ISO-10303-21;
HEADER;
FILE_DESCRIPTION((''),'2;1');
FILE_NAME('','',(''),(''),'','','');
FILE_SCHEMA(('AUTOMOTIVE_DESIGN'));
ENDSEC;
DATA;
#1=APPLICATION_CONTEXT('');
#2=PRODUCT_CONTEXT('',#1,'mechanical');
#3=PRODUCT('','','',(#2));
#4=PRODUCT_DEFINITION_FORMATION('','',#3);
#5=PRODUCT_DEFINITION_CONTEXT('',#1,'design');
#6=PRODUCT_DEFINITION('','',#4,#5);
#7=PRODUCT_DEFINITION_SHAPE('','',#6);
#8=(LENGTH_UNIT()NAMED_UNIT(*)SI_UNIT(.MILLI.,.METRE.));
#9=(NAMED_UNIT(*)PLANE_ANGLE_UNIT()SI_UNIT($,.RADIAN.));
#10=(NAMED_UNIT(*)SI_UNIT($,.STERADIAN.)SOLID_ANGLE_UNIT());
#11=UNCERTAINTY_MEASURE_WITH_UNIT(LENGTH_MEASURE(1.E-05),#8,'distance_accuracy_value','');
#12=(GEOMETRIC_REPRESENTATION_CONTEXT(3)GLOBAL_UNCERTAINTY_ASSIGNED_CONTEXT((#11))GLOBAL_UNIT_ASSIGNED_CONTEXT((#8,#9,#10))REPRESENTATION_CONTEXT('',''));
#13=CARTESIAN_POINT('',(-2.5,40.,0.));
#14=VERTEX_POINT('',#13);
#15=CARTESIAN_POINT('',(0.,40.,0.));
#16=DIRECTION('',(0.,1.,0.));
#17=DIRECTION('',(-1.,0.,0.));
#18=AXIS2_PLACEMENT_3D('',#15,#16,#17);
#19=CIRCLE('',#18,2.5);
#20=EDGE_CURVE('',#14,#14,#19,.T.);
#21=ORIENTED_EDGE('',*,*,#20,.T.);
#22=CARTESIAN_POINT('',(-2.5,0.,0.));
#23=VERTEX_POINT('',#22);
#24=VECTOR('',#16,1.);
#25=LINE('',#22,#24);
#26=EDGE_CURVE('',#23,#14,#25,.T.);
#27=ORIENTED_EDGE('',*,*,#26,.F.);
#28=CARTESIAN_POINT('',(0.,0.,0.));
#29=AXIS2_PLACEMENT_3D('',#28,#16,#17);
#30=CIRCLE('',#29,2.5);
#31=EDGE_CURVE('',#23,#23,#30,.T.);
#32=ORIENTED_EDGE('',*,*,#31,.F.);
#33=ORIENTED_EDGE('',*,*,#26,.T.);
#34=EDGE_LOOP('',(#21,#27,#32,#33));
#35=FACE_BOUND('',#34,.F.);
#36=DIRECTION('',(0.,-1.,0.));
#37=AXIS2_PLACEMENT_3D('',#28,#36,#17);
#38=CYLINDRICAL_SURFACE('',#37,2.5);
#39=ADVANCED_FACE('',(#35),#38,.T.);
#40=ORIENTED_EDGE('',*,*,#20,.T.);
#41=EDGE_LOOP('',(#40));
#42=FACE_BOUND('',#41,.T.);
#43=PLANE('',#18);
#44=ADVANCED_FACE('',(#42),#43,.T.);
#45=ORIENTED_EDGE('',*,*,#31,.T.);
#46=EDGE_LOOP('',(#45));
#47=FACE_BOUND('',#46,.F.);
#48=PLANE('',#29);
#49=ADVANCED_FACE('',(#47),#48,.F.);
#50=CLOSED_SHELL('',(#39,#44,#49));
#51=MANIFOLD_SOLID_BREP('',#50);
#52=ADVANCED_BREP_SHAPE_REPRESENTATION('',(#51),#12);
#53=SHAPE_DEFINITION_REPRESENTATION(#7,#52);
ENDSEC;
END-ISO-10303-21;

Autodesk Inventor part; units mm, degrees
ref_plane "YZ Plane" through (0, 0, 0) normal (1, 0, 0) x (0, 1, 0)
ref_plane "XZ Plane" through (0, 0, 0) normal (0, 1, 0) x (-1, 0, 0)
ref_plane "XY Plane" through (0, 0, 0) normal (0, 0, 1) x (1, 0, 0)
sketch "Szkic1" plane through (0, 0, 0) normal (0, 1, 0) x (-1, 0, 0)
  circle A0 centre (0, 0) radius 4.25
  line L0 (1.1547, 2) -> (2.3094, 0)
  line L1 (2.3094, 0) -> (1.1547, -2)
  line L2 (1.1547, -2) -> (-1.1547, -2)
  line L3 (-1.1547, -2) -> (-2.3094, 0)
  line L4 (-2.3094, 0) -> (-1.1547, 2)
  line L5 (-1.1547, 2) -> (1.1547, 2)
  circle A1 centre (0, 0) radius 2.5
  dimension "d0" = 8.5
  dimension "d1" = 4
  dimension "d2" = 5
extrude "Wyciągnięcie proste4" add sketch "Szkic1" along normal blind 40 contours L0 L1 L2 L3 L4 L5 | A1
thread "Gwint2" size "M5x0.8" class "6g" standard "ANSI Metric M Profile" length 8
thread "Gwint3" size "M5x0.8" class "6g" standard "ANSI Metric M Profile" length 8
properties part number "M5_40_shaft" material "Aluminum 6061"
